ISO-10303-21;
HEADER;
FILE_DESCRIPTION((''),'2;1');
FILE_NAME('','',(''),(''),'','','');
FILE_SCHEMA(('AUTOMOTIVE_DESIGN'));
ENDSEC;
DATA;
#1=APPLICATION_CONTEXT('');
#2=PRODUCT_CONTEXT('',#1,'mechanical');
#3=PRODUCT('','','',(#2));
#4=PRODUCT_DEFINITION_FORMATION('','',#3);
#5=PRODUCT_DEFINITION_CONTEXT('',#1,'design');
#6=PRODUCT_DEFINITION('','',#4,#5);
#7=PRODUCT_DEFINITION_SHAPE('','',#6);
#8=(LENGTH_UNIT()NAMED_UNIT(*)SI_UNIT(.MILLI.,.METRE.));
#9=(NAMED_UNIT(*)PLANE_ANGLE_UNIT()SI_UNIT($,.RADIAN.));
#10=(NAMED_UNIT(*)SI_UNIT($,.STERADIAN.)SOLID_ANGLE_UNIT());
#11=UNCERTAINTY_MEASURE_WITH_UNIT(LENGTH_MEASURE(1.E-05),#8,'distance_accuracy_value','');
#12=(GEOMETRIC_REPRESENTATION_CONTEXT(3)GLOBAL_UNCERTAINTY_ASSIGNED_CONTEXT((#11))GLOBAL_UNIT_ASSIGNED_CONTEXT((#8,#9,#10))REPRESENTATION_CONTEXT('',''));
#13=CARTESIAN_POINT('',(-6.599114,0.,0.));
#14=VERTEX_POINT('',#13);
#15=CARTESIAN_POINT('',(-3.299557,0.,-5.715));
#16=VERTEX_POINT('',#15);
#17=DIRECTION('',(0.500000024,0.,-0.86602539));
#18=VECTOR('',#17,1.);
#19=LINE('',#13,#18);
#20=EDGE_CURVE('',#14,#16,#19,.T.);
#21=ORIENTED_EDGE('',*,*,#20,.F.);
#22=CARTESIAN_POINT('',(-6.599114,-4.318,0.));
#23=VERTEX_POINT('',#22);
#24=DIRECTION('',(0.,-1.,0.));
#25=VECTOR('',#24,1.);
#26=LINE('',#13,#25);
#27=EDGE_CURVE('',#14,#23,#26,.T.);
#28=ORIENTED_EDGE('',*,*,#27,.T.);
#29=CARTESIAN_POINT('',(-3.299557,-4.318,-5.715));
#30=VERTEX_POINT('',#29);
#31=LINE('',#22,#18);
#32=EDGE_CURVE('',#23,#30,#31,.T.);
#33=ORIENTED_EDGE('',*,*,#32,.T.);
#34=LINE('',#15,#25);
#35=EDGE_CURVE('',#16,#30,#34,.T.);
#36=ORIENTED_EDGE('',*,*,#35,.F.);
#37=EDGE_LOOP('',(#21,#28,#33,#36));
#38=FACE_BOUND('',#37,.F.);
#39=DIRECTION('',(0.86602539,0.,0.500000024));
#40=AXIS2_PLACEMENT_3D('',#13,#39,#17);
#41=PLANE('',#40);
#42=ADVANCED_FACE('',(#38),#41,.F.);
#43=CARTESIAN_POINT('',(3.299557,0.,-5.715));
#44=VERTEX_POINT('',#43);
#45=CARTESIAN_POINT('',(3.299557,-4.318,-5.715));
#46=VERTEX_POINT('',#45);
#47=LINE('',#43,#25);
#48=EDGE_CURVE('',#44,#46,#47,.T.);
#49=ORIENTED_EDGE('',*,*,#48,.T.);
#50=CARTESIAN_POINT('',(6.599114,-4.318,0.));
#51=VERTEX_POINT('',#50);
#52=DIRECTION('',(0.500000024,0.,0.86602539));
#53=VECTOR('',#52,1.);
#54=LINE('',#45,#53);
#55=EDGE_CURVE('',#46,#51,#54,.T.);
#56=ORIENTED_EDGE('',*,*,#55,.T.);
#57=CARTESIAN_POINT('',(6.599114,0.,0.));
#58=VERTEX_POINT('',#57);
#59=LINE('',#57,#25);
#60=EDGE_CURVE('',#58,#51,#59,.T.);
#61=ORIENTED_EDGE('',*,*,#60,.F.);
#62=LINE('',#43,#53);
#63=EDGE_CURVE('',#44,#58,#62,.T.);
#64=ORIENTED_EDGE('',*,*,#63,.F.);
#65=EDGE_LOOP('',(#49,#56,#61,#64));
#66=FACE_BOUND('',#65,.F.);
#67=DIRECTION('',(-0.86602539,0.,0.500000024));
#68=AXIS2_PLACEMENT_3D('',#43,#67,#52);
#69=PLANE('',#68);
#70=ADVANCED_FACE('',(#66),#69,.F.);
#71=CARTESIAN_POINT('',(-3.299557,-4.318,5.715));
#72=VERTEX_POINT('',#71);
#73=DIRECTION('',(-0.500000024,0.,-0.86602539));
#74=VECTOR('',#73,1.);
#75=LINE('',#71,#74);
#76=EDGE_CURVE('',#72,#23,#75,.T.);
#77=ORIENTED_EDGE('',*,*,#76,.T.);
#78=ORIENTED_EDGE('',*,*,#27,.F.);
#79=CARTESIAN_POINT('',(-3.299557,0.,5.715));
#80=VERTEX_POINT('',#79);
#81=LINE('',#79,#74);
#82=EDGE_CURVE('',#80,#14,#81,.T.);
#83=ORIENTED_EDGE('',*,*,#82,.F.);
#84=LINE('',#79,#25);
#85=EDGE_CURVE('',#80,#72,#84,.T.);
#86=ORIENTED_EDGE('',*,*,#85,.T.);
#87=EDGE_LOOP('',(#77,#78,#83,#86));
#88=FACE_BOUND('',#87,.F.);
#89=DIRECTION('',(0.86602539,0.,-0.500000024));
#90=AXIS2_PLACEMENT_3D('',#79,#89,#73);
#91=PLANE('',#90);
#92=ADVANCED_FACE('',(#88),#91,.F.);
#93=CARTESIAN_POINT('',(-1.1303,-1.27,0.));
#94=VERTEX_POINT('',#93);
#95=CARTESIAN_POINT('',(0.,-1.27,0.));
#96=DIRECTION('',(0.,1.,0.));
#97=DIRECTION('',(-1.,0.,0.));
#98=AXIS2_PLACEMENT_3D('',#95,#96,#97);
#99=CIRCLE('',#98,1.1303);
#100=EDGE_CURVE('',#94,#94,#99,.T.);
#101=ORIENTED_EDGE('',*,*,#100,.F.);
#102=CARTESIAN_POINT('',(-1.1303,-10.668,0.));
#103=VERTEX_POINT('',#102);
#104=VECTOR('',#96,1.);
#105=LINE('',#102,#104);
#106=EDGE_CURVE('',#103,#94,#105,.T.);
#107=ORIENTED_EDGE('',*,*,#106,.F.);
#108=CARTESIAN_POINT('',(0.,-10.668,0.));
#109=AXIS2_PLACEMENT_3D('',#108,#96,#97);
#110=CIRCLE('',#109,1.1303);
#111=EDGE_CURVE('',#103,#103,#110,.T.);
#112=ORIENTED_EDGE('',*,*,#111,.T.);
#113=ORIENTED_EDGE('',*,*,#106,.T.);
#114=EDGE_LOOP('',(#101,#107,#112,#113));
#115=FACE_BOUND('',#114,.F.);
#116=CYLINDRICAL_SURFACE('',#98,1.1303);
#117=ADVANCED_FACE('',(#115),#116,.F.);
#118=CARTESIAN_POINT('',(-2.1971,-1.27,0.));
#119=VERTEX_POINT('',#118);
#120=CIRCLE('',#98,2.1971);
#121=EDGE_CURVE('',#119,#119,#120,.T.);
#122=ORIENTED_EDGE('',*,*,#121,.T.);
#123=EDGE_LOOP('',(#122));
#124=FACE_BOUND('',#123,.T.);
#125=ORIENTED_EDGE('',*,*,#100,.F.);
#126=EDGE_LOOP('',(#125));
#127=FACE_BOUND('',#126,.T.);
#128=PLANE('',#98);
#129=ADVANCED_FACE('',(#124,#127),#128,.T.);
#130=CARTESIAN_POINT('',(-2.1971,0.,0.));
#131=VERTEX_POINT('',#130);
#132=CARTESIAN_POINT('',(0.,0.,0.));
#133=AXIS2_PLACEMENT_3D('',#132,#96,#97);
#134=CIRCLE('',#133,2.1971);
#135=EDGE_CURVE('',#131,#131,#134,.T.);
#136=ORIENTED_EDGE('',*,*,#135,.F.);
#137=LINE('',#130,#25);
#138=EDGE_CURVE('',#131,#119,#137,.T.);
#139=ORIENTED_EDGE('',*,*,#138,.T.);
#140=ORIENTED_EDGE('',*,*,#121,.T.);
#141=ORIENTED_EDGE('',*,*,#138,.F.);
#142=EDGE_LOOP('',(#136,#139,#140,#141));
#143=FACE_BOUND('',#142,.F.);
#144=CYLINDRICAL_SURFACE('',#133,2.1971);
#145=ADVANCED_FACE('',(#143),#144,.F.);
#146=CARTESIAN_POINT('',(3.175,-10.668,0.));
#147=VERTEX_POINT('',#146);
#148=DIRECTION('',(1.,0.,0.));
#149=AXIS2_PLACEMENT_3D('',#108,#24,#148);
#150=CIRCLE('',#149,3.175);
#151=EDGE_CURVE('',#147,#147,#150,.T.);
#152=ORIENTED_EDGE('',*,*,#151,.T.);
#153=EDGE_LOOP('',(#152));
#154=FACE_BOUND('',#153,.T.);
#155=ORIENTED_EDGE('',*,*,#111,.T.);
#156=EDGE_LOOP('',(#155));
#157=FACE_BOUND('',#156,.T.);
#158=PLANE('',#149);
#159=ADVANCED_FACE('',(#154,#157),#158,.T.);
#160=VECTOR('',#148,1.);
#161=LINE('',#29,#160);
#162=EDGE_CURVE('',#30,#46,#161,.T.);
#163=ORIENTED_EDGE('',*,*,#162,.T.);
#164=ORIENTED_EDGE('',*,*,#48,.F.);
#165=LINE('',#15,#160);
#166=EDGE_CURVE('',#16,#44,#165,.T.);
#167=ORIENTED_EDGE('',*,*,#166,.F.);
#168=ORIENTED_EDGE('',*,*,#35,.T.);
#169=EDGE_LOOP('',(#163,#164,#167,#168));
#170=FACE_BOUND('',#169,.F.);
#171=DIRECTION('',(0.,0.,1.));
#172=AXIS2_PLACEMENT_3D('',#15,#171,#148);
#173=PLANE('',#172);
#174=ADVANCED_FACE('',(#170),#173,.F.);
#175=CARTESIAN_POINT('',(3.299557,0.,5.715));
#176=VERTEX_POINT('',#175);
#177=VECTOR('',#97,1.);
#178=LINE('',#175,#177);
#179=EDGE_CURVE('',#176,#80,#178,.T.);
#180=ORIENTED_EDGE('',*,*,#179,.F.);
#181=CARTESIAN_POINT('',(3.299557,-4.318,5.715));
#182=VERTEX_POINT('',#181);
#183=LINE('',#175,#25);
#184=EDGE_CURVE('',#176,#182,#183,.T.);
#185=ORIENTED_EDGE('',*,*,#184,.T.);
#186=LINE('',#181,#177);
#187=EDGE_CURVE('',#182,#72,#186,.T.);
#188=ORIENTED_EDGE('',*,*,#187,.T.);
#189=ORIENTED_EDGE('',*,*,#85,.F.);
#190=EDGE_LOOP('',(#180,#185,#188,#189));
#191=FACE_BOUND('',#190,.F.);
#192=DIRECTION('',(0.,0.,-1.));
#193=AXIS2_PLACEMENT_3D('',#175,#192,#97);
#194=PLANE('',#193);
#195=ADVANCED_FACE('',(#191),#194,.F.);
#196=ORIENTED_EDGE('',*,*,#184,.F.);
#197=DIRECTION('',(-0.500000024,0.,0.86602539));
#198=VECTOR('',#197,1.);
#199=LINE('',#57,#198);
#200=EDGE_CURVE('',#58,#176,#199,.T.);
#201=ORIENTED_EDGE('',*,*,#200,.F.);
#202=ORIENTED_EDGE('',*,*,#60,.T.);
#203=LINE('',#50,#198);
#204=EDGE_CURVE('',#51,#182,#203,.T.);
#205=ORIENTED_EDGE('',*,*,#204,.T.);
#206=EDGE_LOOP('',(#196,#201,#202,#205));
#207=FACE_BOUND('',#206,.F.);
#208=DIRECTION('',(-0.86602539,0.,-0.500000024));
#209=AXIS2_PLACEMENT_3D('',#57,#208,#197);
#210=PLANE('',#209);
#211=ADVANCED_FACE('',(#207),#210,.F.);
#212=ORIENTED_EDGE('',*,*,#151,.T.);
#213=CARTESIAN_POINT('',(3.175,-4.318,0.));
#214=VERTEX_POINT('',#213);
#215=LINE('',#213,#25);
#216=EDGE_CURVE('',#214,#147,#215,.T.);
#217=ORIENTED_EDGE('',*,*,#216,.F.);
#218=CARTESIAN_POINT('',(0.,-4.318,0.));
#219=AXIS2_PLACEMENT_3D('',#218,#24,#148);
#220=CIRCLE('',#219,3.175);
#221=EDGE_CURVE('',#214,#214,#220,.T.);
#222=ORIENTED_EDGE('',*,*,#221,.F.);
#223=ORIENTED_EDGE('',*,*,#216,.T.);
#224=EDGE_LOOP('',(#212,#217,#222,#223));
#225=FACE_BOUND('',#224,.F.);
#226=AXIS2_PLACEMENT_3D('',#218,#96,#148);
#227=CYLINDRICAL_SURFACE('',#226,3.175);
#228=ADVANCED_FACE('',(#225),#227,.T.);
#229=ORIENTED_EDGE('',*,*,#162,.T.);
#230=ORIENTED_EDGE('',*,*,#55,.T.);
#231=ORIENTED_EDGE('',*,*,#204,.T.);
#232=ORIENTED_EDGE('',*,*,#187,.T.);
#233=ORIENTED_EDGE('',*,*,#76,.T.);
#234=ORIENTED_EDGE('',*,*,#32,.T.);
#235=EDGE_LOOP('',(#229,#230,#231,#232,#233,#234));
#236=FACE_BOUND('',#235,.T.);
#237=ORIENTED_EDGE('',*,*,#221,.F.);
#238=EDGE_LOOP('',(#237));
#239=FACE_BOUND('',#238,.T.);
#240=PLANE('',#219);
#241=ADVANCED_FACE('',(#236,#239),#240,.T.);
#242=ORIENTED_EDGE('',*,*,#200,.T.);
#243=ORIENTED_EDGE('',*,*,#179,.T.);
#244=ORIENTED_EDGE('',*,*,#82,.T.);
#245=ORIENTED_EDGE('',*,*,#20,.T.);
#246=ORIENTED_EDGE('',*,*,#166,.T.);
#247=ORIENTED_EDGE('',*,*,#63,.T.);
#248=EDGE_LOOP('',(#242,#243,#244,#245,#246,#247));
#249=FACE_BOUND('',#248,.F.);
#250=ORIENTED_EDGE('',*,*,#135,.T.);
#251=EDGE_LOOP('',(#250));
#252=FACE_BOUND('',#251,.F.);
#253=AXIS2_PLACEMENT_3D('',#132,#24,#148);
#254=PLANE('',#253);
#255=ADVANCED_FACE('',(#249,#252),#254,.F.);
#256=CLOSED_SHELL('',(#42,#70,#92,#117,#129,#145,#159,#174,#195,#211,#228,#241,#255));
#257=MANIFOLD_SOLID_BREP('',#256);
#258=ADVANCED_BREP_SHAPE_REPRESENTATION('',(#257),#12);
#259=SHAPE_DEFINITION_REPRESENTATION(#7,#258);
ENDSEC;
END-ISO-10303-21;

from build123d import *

# Parameters (mm, degrees)
F1_DEPTH = 4.318
F2_R     = 3.175
F2_R_2   = 1.1303
F3_DEPTH = 6.35
F4_R     = 2.1971
F5_DEPTH = 1.27
F6_R     = 1.1303
F7_DEPTH = 25.4


with BuildPart() as f1:
    # F0 (on Front) → F1 (new body)
    with BuildSketch(Plane.XZ):
        Polygon((3.299557, 5.715), (-3.299557, 5.715), (-6.599114, 0), (-3.299557, -5.715), (3.299557, -5.715), (6.599114, 0), align=None)
    extrude(amount=F1_DEPTH)

    # F2 (on face) → F3 (join)
    with BuildSketch(Plane.XZ.offset(4.318)):
        Circle(F2_R)
        Circle(F2_R_2, mode=Mode.SUBTRACT)
    extrude(amount=F3_DEPTH)

    # F4 (on face) → F5 (cut)
    with BuildSketch(Plane(origin=(0, 0, 0), x_dir=(-1, 0, 0), z_dir=(0, 1, 0))):
        Circle(F4_R)
    extrude(amount=-F5_DEPTH, mode=Mode.SUBTRACT)

    # F6 (on face) → F7 (cut)
    with BuildSketch(Plane(origin=(0, -1.27, 0), x_dir=(-1, 0, 0), z_dir=(0, 1, 0))):
        Circle(F6_R)
    extrude(amount=-F7_DEPTH, mode=Mode.SUBTRACT)


solid = f1.part
